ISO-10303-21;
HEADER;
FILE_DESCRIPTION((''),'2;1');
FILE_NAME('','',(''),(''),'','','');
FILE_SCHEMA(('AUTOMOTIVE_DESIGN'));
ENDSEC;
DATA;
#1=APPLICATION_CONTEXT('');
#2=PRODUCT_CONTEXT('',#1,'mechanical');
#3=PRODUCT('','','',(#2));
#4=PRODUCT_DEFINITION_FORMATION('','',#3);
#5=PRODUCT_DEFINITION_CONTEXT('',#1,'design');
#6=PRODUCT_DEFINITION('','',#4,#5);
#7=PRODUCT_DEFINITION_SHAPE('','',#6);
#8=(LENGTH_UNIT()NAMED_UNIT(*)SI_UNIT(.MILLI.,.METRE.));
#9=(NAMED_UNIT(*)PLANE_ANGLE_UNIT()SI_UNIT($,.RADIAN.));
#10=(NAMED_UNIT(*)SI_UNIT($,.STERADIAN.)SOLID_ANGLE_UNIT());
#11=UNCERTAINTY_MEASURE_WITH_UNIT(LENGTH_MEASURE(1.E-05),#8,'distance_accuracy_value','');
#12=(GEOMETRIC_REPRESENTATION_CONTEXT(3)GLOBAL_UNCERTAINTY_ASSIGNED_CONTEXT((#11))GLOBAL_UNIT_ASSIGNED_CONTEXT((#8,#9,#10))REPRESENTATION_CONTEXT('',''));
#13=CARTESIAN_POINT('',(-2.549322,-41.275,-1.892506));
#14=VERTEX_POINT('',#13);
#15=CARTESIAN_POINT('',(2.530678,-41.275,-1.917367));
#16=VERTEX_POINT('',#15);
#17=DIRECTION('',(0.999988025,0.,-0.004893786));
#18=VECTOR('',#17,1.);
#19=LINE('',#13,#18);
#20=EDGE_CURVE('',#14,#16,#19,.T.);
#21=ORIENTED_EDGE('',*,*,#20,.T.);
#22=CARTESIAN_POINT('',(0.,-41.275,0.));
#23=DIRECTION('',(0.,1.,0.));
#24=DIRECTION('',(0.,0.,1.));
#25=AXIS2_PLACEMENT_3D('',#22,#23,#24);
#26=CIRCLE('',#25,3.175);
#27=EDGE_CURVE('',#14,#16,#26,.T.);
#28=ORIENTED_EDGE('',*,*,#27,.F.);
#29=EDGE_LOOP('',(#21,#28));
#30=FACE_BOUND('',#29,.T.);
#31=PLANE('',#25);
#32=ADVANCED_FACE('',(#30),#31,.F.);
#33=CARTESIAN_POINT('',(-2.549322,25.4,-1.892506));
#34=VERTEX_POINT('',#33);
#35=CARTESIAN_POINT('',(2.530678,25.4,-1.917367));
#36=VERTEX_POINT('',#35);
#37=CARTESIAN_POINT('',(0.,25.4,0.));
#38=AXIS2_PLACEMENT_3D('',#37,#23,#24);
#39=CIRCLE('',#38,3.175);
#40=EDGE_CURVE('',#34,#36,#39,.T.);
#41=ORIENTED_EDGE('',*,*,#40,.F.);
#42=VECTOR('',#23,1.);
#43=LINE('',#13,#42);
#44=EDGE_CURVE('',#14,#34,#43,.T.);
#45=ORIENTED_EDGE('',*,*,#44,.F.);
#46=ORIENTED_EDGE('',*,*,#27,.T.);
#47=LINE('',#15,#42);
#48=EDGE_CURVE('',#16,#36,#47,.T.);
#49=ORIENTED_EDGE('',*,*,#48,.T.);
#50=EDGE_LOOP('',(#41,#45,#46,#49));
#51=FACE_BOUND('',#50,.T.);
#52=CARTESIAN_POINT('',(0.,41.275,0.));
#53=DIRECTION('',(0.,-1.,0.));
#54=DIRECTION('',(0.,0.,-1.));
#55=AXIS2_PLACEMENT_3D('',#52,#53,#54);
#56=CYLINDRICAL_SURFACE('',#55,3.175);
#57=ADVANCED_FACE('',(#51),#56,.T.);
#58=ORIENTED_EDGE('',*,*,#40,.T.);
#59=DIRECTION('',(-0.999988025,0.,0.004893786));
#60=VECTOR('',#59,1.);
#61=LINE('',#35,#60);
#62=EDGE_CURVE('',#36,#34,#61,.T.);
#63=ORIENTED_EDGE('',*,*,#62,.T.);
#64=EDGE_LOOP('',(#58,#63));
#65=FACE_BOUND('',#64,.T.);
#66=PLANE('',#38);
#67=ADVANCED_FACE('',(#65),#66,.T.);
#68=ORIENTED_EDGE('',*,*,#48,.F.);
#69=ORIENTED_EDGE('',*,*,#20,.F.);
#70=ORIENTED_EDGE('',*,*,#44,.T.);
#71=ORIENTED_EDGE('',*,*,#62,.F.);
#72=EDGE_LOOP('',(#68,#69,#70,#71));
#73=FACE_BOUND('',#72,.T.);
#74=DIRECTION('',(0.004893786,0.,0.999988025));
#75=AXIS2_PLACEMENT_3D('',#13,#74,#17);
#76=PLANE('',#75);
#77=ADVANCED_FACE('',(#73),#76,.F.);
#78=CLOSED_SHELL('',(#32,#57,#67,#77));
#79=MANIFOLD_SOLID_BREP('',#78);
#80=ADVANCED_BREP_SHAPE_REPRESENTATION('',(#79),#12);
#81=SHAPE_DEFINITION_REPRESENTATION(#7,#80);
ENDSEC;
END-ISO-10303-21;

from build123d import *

# Parameters (mm, degrees)
SKETCH1_R           = 3.175
BOSS_EXTRUDE1_DEPTH = 41.275
CUT_EXTRUDE5_DEPTH  = 83.672025196
CUT_EXTRUDE8_DEPTH  = 15.875


with BuildPart() as part:
    # Sketch1 → Boss-Extrude1 (new, symmetric)
    with BuildSketch(Plane(origin=(0, 0, 0), x_dir=(1, 0, 0), z_dir=(0, 1, 0))):
        with Locations(Location((0, 0, 0), (0, 0, 270))):
            Circle(SKETCH1_R)
    extrude(amount=BOSS_EXTRUDE1_DEPTH, both=True)

    # Sketch2 → Cut-Extrude5 (cut, through all)
    with BuildSketch(Plane(origin=(0, 41.275, 0), x_dir=(1, 0, 0), z_dir=(0, 1, 0))):
        with BuildLine():
            Line((-2.549322464, 1.892506268), (2.530677536, 1.917366999))
            ThreePointArc((2.530677536, 1.917366999), (-0.015537771, 3.174961981), (-2.549322464, 1.892506268))
        make_face()
    extrude(amount=-CUT_EXTRUDE5_DEPTH, mode=Mode.SUBTRACT)

    # Sketch5 → Cut-Extrude8 (cut)
    with BuildSketch(Plane(origin=(0, 41.275, 0), x_dir=(1, 0, 0), z_dir=(0, 1, 0))):
        with BuildLine():
            Line((2.530677536, 1.917366999), (-2.549322464, 1.892506268))
            ThreePointArc((-2.549322464, 1.892506268), (0.015537771, -3.174961981), (2.530677536, 1.917366999))
        make_face()
    extrude(amount=-CUT_EXTRUDE8_DEPTH, mode=Mode.SUBTRACT)


solid = part.part
